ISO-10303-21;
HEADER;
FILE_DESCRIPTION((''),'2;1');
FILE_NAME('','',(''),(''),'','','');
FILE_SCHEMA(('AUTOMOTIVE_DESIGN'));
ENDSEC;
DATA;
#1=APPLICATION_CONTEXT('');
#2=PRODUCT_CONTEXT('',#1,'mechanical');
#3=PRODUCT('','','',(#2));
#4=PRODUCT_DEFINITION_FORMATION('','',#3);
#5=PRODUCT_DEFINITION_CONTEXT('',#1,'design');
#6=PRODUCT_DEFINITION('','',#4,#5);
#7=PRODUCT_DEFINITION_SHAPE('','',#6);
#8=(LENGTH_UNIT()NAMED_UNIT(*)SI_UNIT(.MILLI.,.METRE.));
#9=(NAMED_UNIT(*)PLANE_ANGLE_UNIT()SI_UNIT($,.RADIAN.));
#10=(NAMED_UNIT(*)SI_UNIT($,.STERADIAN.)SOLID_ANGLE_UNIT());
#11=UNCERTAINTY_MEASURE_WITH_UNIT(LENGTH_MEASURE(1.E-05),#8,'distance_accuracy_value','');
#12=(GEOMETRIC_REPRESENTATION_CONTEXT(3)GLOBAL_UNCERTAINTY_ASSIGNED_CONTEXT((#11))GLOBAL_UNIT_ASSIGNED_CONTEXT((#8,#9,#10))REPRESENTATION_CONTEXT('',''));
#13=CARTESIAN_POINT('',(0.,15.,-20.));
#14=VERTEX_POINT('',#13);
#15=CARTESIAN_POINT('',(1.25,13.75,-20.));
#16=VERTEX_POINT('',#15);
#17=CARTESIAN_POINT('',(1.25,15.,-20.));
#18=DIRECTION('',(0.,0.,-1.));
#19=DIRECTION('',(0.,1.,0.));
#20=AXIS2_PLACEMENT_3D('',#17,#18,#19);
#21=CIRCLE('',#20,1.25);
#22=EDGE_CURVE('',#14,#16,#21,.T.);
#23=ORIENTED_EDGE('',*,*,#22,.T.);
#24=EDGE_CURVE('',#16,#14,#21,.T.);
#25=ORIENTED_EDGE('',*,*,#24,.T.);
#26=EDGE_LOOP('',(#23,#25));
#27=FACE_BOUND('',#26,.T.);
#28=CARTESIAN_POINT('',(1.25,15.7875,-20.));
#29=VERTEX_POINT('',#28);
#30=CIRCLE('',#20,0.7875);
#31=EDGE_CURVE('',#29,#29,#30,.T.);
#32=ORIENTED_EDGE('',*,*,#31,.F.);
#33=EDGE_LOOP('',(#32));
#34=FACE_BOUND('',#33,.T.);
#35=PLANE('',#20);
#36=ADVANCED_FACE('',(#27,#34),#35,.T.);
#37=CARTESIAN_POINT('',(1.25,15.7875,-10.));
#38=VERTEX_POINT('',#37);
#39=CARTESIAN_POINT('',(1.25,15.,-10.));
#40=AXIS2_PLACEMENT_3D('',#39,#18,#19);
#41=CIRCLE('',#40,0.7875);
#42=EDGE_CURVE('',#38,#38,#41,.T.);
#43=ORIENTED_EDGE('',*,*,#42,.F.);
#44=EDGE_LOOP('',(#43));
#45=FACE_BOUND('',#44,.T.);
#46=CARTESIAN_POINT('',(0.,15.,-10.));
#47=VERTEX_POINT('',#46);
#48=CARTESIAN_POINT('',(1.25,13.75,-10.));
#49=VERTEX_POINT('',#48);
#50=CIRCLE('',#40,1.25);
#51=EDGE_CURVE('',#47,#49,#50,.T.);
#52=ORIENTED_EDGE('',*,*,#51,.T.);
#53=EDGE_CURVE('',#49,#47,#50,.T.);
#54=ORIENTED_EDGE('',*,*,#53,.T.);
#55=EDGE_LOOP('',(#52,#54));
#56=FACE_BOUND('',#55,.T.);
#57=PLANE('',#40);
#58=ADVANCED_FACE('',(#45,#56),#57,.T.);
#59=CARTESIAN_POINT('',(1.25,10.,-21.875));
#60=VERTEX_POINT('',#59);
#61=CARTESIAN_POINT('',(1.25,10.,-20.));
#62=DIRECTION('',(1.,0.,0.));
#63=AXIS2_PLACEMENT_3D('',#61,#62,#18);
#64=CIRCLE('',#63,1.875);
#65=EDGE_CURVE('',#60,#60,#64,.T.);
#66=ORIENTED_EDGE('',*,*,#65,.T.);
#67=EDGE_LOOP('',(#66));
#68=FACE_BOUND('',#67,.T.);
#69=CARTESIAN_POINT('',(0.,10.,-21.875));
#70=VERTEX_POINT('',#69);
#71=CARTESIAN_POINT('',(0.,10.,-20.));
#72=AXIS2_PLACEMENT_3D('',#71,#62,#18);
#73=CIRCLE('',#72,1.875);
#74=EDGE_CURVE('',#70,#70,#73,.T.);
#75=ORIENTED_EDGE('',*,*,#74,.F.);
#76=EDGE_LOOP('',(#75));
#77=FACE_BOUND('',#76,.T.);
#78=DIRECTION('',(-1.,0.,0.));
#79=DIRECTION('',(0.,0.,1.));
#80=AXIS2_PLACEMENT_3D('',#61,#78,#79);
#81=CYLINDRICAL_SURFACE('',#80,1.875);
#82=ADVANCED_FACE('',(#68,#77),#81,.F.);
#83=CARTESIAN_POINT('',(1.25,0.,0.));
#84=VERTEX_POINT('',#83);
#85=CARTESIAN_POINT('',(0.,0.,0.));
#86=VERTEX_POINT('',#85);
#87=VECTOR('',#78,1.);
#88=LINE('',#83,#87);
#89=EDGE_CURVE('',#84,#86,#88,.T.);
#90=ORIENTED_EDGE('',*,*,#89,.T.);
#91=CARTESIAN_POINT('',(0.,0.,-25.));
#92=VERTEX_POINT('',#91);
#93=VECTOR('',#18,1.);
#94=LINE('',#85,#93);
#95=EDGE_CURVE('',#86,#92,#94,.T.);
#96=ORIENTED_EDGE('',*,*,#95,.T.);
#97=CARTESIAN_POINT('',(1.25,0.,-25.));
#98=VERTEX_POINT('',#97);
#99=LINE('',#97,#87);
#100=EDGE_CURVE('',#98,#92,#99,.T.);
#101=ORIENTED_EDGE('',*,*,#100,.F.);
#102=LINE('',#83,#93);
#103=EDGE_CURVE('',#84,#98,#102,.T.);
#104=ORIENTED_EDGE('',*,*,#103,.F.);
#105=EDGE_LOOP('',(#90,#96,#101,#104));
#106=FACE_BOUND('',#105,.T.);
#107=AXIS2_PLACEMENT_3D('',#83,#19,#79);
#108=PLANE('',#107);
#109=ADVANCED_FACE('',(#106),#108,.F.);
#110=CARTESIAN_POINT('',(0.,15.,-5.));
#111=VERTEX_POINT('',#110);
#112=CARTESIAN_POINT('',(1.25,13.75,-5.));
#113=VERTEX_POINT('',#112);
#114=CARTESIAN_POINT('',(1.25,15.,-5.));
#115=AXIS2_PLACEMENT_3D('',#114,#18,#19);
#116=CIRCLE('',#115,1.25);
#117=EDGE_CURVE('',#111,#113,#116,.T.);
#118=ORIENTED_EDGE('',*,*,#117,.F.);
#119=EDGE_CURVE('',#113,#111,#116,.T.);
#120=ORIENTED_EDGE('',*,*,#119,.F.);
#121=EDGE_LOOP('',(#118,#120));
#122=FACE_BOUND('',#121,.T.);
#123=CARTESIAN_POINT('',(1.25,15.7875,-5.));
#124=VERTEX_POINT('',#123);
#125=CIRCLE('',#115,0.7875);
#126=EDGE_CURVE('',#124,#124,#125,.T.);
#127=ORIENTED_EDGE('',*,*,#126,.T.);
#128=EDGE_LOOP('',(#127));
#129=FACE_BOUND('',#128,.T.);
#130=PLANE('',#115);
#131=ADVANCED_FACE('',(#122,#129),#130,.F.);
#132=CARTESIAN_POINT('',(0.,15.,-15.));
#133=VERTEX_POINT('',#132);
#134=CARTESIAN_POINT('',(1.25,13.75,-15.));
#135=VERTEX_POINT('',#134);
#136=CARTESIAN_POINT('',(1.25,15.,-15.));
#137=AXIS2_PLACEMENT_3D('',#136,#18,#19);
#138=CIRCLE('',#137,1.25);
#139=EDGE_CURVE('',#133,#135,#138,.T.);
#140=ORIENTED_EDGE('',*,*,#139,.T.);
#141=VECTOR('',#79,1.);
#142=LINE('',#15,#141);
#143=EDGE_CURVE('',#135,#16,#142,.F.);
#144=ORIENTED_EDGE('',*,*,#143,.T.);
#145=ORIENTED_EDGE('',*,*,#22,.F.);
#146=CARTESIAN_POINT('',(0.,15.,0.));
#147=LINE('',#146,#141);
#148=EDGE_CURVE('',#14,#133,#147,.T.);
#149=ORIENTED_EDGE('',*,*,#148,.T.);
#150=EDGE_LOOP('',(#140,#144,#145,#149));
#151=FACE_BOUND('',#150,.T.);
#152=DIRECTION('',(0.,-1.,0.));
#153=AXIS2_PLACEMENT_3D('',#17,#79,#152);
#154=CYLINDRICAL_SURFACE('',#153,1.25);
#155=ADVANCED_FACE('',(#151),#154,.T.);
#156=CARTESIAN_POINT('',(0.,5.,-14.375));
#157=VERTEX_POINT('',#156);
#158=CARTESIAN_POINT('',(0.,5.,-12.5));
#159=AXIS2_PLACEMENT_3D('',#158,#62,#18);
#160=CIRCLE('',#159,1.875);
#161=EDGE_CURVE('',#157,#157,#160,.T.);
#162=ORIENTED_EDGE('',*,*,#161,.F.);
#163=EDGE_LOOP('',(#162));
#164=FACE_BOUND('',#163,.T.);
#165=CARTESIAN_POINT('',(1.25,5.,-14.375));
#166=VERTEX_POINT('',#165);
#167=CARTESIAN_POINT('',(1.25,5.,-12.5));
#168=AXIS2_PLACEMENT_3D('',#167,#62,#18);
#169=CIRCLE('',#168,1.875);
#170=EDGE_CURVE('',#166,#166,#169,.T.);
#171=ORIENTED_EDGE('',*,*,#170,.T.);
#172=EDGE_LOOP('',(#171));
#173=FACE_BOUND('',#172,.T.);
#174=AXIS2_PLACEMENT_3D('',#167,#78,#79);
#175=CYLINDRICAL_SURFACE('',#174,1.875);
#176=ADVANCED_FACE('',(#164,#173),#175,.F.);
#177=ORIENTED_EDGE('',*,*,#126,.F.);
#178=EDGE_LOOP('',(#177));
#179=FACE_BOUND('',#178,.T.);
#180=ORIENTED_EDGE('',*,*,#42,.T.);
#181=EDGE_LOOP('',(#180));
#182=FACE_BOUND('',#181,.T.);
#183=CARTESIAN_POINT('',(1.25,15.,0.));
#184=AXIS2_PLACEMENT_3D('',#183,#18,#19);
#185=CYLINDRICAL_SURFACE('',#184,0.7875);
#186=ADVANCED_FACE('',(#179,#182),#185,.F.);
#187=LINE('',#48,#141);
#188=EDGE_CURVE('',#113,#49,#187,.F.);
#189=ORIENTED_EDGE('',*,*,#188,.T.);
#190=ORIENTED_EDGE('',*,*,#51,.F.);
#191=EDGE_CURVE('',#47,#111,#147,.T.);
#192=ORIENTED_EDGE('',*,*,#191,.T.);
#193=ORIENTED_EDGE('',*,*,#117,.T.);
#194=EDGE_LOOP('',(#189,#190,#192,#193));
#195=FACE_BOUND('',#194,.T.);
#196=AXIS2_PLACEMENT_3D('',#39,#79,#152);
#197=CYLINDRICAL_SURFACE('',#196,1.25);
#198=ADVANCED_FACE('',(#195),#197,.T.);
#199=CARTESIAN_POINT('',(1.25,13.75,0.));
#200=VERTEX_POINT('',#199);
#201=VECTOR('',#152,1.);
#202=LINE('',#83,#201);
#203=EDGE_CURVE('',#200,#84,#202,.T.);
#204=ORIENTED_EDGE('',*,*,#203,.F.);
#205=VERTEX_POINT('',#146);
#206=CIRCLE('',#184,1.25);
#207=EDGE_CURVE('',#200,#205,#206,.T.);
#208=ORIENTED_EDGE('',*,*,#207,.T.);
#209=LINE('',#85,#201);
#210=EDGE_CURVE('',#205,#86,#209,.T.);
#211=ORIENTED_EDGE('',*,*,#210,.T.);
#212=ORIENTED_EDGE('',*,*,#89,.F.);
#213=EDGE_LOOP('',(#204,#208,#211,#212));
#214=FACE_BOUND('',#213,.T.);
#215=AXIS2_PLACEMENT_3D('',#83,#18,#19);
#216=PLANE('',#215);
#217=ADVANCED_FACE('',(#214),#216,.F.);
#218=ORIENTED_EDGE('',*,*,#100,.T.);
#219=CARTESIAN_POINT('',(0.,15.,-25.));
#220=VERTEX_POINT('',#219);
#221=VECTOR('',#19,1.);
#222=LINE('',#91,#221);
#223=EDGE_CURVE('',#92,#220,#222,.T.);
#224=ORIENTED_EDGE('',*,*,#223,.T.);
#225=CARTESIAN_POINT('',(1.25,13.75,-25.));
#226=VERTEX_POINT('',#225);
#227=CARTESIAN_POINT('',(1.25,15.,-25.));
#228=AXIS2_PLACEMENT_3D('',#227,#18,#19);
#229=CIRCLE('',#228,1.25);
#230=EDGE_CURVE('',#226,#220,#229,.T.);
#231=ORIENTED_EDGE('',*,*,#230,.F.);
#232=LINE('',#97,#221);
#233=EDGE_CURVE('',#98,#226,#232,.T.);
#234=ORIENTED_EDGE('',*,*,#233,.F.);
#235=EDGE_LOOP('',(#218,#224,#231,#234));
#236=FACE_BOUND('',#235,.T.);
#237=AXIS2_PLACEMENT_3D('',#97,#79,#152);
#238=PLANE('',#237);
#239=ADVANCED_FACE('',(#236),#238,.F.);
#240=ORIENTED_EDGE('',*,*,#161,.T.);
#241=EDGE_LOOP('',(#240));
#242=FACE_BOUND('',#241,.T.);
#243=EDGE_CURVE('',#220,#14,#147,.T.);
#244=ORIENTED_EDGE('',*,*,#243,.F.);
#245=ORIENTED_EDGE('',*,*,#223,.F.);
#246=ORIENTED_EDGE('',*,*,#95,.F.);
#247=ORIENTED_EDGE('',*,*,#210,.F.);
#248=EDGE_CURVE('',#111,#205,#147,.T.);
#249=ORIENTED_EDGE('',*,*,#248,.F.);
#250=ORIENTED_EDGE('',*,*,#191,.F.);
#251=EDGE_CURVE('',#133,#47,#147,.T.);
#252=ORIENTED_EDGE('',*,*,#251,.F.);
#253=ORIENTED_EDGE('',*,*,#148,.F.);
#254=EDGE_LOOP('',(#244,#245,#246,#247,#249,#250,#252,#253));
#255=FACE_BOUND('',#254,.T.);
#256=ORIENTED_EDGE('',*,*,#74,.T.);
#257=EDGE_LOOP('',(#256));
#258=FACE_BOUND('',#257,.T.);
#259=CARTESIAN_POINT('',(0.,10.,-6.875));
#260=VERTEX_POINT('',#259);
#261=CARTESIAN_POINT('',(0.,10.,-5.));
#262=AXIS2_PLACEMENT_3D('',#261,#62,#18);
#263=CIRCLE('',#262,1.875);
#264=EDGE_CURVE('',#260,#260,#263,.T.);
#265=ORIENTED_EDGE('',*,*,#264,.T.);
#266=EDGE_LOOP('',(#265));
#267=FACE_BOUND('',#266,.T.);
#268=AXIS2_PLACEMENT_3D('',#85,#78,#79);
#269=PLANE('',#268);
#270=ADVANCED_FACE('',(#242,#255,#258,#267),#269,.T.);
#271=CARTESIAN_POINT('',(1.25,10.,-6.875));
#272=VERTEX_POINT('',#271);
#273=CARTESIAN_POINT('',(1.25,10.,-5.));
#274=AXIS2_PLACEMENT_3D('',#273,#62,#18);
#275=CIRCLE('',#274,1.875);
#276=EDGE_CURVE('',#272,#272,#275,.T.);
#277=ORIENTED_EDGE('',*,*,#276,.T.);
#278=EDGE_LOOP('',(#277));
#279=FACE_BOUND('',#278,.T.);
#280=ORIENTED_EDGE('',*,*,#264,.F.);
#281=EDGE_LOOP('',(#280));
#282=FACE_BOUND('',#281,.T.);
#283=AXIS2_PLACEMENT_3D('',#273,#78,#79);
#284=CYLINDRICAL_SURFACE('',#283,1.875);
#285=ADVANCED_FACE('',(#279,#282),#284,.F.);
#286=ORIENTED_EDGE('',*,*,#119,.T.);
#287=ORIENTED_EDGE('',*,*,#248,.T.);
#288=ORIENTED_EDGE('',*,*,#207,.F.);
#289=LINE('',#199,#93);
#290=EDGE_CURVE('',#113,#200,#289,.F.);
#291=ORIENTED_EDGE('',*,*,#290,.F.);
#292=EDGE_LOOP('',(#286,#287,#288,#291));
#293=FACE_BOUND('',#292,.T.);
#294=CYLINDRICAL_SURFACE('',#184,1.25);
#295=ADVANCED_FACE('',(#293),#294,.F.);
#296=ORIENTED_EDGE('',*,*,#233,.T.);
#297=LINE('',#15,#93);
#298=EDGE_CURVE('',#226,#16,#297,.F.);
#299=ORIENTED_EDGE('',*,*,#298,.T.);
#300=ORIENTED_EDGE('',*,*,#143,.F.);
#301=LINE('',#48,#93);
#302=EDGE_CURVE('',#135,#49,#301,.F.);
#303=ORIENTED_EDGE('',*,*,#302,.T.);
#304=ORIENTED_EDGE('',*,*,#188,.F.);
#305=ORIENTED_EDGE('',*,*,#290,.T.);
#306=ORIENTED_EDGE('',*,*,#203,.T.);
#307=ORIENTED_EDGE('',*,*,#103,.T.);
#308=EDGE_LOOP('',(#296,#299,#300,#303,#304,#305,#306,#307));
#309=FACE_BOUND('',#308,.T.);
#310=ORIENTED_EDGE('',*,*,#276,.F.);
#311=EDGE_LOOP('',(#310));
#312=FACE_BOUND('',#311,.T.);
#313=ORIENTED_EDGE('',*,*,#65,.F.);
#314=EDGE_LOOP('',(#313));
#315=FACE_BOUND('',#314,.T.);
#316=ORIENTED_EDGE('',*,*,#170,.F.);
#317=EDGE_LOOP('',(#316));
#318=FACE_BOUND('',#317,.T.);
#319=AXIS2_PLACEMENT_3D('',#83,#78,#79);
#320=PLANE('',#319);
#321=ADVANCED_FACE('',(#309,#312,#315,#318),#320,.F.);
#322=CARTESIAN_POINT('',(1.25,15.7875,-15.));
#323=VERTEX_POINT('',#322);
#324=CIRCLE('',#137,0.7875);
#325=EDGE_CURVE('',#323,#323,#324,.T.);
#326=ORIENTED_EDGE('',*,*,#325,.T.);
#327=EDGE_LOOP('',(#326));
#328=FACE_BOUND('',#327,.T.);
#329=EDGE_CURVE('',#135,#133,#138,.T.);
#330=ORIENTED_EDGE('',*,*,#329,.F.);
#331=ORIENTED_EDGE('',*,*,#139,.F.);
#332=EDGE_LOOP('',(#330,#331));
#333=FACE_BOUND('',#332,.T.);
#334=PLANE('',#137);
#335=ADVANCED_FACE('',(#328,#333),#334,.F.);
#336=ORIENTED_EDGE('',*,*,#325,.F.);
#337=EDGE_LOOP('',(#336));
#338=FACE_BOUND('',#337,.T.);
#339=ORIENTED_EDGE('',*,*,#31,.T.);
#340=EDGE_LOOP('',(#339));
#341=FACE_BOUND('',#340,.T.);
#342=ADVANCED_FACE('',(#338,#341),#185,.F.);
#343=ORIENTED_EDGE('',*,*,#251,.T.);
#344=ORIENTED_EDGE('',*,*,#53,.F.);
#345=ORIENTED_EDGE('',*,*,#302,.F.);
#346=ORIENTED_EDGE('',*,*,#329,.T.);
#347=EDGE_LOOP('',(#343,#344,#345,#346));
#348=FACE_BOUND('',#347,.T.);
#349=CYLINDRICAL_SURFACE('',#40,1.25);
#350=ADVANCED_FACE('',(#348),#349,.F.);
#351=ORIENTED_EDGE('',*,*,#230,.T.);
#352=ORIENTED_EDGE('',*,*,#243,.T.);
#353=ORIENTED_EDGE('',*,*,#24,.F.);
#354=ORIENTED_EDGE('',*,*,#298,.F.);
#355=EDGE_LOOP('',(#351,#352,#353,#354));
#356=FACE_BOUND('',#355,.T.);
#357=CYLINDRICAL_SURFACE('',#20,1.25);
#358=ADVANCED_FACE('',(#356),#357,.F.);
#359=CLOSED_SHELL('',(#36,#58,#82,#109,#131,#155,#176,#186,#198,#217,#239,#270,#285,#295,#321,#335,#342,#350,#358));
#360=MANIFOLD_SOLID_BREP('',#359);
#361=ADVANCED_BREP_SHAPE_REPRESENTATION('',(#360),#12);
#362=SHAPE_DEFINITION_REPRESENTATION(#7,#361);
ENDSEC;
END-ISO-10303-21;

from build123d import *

# Parameters (mm, degrees)
SKETCH1_W           = 50
SKETCH1_H           = 30
SKETCH1_R           = 3.75
BOSS_EXTRUDE1_DEPTH = 2.5
BOSS_EXTRUDE2_START = -20
SKETCH3_R           = 2.5
BOSS_EXTRUDE2_DEPTH = 10
LPATTERN1_COUNT     = 2
LPATTERN1_PITCH     = 20
SKETCH5_R           = 1.575
CUT_EXTRUDE1_DEPTH  = 50
SKETCH6_R           = 2.5
CUT_EXTRUDE2_DEPTH  = 10
LPATTERN2_COUNT     = 3
LPATTERN2_PITCH     = 20
ESCALA1_SCALE       = 0.5


with BuildPart() as part:
    # Sketch1 → Boss-Extrude1 (new body)
    with BuildSketch(Plane(origin=(0, 0, 0), x_dir=(0, 0, -1), z_dir=(1, 0, 0))):
        with Locations((25, 15)):
            Rectangle(SKETCH1_W, SKETCH1_H)
        with Locations((40, 20)):
            Circle(SKETCH1_R, mode=Mode.SUBTRACT)
        with Locations((25, 10)):
            Circle(SKETCH1_R, mode=Mode.SUBTRACT)
        with Locations((10, 20)):
            Circle(SKETCH1_R, mode=Mode.SUBTRACT)
    extrude(amount=BOSS_EXTRUDE1_DEPTH)

    # Sketch3 → Boss-Extrude2 (add)
    with BuildSketch(Plane(origin=(0, 0, -50), x_dir=(-1, 0, 0), z_dir=(0, 0, -1)).offset(BOSS_EXTRUDE2_START)):
        with Locations((-2.5, 30)):
            Circle(SKETCH3_R)
    boss_extrude2 = extrude(amount=BOSS_EXTRUDE2_DEPTH)

    # LPattern1: Boss-Extrude2 ×2
    with Locations(*[(0, 0, i * LPATTERN1_PITCH) for i in range(1, LPATTERN1_COUNT)]):
        add(boss_extrude2)

    # Sketch5 → Cut-Extrude1 (cut)
    with BuildSketch(Plane(origin=(0, 0, -50), x_dir=(-1, 0, 0), z_dir=(0, 0, -1))):
        with Locations((-2.5, 30)):
            Circle(SKETCH5_R)
    extrude(amount=-CUT_EXTRUDE1_DEPTH, mode=Mode.SUBTRACT)

    # Sketch6 → Cut-Extrude2 (cut)
    with BuildSketch(Plane(origin=(0, 0, -50), x_dir=(-1, 0, 0), z_dir=(0, 0, -1))):
        with Locations((-2.5, 30)):
            Circle(SKETCH6_R)
    cut_extrude2 = extrude(amount=-CUT_EXTRUDE2_DEPTH, mode=Mode.SUBTRACT)

    # LPattern2: Cut-Extrude2 ×3
    with Locations(*[(0, 0, i * LPATTERN2_PITCH) for i in range(1, LPATTERN2_COUNT)]):
        add(cut_extrude2, mode=Mode.SUBTRACT)


with BuildPart() as part_1:
    # Escala1: scaled about (0, 0, 0)
    add(part.part.scale(ESCALA1_SCALE))


solid = part_1.part
